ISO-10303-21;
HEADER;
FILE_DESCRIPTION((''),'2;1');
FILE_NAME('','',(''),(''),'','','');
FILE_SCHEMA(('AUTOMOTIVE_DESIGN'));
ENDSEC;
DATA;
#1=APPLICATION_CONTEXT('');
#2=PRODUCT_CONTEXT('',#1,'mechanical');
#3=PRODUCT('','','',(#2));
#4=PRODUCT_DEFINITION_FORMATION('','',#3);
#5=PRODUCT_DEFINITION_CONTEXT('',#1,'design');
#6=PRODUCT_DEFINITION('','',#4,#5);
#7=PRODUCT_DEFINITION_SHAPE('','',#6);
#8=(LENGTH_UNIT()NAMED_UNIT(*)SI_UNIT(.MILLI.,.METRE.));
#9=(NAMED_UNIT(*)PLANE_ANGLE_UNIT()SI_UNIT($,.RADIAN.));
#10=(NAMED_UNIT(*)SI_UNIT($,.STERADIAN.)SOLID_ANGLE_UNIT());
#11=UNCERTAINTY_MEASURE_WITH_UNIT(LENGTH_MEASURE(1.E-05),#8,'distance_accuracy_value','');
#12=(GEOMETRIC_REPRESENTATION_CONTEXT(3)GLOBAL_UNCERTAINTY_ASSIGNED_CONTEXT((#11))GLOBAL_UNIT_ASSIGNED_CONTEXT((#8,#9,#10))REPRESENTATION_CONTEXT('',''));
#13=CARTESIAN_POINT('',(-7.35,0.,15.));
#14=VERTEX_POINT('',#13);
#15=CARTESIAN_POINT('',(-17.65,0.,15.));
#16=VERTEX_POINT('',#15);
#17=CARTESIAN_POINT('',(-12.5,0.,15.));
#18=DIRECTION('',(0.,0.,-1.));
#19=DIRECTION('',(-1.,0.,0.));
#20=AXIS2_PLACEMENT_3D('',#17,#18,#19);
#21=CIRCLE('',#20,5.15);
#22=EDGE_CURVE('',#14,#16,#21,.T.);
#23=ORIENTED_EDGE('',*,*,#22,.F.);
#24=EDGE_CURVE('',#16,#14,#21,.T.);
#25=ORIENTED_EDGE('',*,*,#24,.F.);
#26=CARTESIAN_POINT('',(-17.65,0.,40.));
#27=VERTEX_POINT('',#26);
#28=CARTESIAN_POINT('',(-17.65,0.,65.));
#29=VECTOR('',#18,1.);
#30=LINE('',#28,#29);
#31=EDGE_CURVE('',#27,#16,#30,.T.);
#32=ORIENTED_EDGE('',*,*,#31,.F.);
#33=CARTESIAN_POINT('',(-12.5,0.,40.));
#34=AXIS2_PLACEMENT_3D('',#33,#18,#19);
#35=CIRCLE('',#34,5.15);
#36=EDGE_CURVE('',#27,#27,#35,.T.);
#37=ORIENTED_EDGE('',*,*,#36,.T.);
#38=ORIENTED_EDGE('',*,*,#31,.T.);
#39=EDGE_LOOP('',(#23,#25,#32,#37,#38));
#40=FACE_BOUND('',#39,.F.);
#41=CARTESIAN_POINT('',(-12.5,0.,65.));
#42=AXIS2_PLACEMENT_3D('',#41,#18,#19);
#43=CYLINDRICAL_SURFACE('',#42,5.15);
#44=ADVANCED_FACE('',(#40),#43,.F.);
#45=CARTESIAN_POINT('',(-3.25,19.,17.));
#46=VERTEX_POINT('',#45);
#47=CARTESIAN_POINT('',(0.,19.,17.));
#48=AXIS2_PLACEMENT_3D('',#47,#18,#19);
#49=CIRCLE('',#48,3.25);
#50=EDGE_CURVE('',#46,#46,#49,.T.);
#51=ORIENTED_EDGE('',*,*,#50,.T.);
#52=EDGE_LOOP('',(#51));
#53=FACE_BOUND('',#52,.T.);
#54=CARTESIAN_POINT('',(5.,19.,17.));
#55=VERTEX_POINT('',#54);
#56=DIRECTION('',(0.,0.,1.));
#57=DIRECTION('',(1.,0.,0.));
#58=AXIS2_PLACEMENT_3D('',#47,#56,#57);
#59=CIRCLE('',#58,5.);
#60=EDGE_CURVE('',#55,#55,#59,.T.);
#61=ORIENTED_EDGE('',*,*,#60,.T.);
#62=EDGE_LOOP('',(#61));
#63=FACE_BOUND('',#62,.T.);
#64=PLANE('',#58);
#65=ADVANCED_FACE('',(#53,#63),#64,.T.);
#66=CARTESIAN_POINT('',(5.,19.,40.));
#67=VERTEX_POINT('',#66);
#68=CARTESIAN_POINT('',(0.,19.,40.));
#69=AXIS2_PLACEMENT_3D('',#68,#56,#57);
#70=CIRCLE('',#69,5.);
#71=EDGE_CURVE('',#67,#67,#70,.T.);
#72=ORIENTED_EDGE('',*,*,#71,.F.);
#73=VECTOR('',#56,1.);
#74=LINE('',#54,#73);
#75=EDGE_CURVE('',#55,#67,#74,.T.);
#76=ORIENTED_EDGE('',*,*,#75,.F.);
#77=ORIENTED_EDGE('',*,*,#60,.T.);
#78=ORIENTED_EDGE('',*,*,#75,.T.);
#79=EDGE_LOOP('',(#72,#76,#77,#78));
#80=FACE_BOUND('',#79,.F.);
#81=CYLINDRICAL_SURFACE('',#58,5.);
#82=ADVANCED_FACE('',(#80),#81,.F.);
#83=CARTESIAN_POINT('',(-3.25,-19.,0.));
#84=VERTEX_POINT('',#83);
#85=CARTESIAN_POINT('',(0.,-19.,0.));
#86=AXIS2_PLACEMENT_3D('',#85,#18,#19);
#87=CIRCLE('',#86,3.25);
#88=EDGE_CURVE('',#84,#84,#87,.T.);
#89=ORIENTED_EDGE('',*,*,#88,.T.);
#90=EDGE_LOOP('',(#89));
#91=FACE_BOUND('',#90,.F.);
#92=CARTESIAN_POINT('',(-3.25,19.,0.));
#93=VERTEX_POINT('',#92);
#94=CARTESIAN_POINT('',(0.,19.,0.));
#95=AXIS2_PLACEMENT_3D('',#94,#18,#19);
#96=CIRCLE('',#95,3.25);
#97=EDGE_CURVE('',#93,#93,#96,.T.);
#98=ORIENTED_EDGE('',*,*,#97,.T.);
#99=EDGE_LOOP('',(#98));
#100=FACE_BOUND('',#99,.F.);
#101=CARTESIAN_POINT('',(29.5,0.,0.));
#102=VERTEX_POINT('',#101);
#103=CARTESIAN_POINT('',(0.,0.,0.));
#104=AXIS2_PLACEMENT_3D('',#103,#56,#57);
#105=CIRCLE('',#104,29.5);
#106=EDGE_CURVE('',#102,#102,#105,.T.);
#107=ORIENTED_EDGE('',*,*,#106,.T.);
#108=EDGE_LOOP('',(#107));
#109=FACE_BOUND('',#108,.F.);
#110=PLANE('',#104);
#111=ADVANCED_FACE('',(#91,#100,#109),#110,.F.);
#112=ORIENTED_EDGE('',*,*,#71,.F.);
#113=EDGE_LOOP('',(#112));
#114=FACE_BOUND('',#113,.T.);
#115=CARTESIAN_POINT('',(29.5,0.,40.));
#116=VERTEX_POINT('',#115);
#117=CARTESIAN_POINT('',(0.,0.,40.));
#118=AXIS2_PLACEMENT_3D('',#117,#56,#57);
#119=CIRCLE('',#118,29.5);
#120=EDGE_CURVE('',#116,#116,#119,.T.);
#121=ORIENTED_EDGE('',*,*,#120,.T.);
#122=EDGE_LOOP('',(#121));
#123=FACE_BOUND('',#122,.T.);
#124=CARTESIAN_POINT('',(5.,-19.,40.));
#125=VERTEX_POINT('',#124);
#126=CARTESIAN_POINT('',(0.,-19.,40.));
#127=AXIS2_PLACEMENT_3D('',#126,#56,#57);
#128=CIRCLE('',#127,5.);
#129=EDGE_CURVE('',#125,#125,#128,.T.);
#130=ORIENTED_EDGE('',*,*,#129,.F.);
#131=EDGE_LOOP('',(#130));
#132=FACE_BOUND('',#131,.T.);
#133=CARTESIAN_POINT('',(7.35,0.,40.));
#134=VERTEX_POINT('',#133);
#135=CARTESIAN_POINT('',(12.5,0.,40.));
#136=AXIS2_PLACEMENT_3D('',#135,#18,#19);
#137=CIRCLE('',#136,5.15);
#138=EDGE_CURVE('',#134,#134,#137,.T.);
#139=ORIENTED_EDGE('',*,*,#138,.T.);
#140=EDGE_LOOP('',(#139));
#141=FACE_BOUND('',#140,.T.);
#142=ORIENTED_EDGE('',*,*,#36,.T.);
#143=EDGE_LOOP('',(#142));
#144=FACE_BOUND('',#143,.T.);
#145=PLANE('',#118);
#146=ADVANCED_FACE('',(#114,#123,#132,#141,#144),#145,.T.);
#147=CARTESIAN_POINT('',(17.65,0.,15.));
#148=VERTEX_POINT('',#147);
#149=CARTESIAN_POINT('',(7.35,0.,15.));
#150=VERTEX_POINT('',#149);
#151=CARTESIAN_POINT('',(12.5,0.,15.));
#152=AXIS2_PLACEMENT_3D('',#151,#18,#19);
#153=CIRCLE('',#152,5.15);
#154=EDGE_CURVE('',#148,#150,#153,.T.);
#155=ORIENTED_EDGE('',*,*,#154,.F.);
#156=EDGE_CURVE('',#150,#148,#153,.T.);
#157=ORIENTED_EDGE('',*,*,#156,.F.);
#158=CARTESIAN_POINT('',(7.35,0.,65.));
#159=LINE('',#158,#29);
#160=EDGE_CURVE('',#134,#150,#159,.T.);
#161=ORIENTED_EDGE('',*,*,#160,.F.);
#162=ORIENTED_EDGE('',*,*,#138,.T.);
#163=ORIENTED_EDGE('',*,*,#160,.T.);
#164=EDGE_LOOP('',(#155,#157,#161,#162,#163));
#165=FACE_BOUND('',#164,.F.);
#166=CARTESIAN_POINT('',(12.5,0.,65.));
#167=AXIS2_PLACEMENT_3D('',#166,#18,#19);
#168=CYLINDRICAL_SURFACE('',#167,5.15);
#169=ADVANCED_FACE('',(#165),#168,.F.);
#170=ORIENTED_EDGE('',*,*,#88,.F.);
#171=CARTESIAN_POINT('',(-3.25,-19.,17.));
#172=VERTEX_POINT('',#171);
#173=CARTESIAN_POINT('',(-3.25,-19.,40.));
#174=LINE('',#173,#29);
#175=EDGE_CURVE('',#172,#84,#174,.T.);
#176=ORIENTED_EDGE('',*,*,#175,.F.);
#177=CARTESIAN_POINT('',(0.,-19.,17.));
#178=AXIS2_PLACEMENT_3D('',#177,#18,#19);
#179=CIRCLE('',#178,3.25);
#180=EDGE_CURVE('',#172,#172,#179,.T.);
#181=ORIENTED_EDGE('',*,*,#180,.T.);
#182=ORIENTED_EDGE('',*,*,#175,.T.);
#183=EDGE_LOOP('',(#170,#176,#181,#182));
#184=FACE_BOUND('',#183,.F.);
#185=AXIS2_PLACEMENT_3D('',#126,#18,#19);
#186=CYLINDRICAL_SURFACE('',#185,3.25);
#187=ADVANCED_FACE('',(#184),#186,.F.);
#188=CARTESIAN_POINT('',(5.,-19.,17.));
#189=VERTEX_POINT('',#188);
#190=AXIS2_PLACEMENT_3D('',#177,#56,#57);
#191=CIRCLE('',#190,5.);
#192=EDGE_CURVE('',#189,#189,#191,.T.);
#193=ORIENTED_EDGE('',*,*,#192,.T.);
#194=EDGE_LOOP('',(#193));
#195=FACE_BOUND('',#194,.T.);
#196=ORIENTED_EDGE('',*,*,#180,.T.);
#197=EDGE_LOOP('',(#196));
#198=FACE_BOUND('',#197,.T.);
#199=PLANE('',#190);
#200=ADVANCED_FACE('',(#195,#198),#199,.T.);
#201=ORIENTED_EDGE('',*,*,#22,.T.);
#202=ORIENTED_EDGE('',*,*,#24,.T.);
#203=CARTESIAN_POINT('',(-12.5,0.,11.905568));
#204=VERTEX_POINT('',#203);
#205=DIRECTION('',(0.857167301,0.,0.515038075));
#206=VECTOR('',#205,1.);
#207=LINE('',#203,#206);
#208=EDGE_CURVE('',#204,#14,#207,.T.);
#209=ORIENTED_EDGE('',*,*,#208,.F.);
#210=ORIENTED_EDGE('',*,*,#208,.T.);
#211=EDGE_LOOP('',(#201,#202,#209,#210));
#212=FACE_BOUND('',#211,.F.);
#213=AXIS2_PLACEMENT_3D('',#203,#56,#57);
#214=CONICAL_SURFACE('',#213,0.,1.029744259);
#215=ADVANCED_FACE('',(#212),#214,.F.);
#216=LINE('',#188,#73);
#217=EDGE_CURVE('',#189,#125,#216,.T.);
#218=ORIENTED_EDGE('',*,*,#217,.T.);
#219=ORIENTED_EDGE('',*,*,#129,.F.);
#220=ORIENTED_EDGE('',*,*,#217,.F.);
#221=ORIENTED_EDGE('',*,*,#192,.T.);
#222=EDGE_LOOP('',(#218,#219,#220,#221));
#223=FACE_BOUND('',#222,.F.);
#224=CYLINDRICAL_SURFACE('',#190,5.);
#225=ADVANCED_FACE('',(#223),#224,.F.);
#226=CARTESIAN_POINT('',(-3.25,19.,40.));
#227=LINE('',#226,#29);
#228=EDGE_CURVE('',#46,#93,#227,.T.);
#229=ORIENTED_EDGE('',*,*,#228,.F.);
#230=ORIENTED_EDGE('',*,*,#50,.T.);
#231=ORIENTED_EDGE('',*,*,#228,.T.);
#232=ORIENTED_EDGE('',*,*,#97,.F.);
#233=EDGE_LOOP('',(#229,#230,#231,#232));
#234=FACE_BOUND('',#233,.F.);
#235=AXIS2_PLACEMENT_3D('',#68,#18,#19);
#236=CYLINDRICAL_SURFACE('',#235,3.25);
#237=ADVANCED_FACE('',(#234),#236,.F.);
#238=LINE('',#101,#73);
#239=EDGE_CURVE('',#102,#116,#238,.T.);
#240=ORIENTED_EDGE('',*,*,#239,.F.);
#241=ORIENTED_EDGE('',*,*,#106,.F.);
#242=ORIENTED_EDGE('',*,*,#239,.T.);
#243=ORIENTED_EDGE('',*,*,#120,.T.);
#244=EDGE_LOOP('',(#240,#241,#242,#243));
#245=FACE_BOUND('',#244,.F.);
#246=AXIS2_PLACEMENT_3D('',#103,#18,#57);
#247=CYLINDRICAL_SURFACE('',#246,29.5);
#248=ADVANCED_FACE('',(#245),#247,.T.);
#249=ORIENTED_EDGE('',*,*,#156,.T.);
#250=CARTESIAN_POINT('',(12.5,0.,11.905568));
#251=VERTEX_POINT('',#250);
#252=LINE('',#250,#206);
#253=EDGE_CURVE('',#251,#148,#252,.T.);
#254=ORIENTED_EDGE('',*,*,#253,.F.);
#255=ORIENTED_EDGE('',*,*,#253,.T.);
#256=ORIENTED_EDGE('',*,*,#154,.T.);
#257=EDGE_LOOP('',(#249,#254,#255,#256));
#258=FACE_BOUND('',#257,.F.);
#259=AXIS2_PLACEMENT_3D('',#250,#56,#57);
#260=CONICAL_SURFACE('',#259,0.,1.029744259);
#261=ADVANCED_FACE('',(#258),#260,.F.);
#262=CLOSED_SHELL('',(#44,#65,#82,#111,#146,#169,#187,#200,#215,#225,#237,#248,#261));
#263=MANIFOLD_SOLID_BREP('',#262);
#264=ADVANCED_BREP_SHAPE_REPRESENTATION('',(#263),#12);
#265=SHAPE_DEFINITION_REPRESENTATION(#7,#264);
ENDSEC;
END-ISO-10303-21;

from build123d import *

# Parameters (mm, degrees)
F0_R           = 29.5
F1_DEPTH       = 40
F3_D           = 10.3
F3_DEPTH       = 25
F3_TIP         = 3.094432188
F5_D           = 6.5
F5_CBORE_D     = 10
F5_CBORE_DEPTH = 23


with BuildPart() as f1:
    # F0 (on Top) → F1 (new body)
    with BuildSketch(Plane.XY):
        Circle(F0_R)
    extrude(amount=F1_DEPTH)

    # F3
    with Locations(Plane.XY.offset(40)):
        with Locations((-12.5, 0), (12.5, 0)):
            Hole(F3_D / 2, depth=F3_DEPTH)
            with Locations((0, 0, -(F3_DEPTH + F3_TIP / 2))):  # 118° drill point
                Cone(0, F3_D / 2, F3_TIP, mode=Mode.SUBTRACT)

    # F5 (through all)
    with Locations(Plane.XY.offset(40)):
        with Locations((0, 19), (0, -19)):
            CounterBoreHole(F5_D / 2, F5_CBORE_D / 2, F5_CBORE_DEPTH)


solid = f1.part
